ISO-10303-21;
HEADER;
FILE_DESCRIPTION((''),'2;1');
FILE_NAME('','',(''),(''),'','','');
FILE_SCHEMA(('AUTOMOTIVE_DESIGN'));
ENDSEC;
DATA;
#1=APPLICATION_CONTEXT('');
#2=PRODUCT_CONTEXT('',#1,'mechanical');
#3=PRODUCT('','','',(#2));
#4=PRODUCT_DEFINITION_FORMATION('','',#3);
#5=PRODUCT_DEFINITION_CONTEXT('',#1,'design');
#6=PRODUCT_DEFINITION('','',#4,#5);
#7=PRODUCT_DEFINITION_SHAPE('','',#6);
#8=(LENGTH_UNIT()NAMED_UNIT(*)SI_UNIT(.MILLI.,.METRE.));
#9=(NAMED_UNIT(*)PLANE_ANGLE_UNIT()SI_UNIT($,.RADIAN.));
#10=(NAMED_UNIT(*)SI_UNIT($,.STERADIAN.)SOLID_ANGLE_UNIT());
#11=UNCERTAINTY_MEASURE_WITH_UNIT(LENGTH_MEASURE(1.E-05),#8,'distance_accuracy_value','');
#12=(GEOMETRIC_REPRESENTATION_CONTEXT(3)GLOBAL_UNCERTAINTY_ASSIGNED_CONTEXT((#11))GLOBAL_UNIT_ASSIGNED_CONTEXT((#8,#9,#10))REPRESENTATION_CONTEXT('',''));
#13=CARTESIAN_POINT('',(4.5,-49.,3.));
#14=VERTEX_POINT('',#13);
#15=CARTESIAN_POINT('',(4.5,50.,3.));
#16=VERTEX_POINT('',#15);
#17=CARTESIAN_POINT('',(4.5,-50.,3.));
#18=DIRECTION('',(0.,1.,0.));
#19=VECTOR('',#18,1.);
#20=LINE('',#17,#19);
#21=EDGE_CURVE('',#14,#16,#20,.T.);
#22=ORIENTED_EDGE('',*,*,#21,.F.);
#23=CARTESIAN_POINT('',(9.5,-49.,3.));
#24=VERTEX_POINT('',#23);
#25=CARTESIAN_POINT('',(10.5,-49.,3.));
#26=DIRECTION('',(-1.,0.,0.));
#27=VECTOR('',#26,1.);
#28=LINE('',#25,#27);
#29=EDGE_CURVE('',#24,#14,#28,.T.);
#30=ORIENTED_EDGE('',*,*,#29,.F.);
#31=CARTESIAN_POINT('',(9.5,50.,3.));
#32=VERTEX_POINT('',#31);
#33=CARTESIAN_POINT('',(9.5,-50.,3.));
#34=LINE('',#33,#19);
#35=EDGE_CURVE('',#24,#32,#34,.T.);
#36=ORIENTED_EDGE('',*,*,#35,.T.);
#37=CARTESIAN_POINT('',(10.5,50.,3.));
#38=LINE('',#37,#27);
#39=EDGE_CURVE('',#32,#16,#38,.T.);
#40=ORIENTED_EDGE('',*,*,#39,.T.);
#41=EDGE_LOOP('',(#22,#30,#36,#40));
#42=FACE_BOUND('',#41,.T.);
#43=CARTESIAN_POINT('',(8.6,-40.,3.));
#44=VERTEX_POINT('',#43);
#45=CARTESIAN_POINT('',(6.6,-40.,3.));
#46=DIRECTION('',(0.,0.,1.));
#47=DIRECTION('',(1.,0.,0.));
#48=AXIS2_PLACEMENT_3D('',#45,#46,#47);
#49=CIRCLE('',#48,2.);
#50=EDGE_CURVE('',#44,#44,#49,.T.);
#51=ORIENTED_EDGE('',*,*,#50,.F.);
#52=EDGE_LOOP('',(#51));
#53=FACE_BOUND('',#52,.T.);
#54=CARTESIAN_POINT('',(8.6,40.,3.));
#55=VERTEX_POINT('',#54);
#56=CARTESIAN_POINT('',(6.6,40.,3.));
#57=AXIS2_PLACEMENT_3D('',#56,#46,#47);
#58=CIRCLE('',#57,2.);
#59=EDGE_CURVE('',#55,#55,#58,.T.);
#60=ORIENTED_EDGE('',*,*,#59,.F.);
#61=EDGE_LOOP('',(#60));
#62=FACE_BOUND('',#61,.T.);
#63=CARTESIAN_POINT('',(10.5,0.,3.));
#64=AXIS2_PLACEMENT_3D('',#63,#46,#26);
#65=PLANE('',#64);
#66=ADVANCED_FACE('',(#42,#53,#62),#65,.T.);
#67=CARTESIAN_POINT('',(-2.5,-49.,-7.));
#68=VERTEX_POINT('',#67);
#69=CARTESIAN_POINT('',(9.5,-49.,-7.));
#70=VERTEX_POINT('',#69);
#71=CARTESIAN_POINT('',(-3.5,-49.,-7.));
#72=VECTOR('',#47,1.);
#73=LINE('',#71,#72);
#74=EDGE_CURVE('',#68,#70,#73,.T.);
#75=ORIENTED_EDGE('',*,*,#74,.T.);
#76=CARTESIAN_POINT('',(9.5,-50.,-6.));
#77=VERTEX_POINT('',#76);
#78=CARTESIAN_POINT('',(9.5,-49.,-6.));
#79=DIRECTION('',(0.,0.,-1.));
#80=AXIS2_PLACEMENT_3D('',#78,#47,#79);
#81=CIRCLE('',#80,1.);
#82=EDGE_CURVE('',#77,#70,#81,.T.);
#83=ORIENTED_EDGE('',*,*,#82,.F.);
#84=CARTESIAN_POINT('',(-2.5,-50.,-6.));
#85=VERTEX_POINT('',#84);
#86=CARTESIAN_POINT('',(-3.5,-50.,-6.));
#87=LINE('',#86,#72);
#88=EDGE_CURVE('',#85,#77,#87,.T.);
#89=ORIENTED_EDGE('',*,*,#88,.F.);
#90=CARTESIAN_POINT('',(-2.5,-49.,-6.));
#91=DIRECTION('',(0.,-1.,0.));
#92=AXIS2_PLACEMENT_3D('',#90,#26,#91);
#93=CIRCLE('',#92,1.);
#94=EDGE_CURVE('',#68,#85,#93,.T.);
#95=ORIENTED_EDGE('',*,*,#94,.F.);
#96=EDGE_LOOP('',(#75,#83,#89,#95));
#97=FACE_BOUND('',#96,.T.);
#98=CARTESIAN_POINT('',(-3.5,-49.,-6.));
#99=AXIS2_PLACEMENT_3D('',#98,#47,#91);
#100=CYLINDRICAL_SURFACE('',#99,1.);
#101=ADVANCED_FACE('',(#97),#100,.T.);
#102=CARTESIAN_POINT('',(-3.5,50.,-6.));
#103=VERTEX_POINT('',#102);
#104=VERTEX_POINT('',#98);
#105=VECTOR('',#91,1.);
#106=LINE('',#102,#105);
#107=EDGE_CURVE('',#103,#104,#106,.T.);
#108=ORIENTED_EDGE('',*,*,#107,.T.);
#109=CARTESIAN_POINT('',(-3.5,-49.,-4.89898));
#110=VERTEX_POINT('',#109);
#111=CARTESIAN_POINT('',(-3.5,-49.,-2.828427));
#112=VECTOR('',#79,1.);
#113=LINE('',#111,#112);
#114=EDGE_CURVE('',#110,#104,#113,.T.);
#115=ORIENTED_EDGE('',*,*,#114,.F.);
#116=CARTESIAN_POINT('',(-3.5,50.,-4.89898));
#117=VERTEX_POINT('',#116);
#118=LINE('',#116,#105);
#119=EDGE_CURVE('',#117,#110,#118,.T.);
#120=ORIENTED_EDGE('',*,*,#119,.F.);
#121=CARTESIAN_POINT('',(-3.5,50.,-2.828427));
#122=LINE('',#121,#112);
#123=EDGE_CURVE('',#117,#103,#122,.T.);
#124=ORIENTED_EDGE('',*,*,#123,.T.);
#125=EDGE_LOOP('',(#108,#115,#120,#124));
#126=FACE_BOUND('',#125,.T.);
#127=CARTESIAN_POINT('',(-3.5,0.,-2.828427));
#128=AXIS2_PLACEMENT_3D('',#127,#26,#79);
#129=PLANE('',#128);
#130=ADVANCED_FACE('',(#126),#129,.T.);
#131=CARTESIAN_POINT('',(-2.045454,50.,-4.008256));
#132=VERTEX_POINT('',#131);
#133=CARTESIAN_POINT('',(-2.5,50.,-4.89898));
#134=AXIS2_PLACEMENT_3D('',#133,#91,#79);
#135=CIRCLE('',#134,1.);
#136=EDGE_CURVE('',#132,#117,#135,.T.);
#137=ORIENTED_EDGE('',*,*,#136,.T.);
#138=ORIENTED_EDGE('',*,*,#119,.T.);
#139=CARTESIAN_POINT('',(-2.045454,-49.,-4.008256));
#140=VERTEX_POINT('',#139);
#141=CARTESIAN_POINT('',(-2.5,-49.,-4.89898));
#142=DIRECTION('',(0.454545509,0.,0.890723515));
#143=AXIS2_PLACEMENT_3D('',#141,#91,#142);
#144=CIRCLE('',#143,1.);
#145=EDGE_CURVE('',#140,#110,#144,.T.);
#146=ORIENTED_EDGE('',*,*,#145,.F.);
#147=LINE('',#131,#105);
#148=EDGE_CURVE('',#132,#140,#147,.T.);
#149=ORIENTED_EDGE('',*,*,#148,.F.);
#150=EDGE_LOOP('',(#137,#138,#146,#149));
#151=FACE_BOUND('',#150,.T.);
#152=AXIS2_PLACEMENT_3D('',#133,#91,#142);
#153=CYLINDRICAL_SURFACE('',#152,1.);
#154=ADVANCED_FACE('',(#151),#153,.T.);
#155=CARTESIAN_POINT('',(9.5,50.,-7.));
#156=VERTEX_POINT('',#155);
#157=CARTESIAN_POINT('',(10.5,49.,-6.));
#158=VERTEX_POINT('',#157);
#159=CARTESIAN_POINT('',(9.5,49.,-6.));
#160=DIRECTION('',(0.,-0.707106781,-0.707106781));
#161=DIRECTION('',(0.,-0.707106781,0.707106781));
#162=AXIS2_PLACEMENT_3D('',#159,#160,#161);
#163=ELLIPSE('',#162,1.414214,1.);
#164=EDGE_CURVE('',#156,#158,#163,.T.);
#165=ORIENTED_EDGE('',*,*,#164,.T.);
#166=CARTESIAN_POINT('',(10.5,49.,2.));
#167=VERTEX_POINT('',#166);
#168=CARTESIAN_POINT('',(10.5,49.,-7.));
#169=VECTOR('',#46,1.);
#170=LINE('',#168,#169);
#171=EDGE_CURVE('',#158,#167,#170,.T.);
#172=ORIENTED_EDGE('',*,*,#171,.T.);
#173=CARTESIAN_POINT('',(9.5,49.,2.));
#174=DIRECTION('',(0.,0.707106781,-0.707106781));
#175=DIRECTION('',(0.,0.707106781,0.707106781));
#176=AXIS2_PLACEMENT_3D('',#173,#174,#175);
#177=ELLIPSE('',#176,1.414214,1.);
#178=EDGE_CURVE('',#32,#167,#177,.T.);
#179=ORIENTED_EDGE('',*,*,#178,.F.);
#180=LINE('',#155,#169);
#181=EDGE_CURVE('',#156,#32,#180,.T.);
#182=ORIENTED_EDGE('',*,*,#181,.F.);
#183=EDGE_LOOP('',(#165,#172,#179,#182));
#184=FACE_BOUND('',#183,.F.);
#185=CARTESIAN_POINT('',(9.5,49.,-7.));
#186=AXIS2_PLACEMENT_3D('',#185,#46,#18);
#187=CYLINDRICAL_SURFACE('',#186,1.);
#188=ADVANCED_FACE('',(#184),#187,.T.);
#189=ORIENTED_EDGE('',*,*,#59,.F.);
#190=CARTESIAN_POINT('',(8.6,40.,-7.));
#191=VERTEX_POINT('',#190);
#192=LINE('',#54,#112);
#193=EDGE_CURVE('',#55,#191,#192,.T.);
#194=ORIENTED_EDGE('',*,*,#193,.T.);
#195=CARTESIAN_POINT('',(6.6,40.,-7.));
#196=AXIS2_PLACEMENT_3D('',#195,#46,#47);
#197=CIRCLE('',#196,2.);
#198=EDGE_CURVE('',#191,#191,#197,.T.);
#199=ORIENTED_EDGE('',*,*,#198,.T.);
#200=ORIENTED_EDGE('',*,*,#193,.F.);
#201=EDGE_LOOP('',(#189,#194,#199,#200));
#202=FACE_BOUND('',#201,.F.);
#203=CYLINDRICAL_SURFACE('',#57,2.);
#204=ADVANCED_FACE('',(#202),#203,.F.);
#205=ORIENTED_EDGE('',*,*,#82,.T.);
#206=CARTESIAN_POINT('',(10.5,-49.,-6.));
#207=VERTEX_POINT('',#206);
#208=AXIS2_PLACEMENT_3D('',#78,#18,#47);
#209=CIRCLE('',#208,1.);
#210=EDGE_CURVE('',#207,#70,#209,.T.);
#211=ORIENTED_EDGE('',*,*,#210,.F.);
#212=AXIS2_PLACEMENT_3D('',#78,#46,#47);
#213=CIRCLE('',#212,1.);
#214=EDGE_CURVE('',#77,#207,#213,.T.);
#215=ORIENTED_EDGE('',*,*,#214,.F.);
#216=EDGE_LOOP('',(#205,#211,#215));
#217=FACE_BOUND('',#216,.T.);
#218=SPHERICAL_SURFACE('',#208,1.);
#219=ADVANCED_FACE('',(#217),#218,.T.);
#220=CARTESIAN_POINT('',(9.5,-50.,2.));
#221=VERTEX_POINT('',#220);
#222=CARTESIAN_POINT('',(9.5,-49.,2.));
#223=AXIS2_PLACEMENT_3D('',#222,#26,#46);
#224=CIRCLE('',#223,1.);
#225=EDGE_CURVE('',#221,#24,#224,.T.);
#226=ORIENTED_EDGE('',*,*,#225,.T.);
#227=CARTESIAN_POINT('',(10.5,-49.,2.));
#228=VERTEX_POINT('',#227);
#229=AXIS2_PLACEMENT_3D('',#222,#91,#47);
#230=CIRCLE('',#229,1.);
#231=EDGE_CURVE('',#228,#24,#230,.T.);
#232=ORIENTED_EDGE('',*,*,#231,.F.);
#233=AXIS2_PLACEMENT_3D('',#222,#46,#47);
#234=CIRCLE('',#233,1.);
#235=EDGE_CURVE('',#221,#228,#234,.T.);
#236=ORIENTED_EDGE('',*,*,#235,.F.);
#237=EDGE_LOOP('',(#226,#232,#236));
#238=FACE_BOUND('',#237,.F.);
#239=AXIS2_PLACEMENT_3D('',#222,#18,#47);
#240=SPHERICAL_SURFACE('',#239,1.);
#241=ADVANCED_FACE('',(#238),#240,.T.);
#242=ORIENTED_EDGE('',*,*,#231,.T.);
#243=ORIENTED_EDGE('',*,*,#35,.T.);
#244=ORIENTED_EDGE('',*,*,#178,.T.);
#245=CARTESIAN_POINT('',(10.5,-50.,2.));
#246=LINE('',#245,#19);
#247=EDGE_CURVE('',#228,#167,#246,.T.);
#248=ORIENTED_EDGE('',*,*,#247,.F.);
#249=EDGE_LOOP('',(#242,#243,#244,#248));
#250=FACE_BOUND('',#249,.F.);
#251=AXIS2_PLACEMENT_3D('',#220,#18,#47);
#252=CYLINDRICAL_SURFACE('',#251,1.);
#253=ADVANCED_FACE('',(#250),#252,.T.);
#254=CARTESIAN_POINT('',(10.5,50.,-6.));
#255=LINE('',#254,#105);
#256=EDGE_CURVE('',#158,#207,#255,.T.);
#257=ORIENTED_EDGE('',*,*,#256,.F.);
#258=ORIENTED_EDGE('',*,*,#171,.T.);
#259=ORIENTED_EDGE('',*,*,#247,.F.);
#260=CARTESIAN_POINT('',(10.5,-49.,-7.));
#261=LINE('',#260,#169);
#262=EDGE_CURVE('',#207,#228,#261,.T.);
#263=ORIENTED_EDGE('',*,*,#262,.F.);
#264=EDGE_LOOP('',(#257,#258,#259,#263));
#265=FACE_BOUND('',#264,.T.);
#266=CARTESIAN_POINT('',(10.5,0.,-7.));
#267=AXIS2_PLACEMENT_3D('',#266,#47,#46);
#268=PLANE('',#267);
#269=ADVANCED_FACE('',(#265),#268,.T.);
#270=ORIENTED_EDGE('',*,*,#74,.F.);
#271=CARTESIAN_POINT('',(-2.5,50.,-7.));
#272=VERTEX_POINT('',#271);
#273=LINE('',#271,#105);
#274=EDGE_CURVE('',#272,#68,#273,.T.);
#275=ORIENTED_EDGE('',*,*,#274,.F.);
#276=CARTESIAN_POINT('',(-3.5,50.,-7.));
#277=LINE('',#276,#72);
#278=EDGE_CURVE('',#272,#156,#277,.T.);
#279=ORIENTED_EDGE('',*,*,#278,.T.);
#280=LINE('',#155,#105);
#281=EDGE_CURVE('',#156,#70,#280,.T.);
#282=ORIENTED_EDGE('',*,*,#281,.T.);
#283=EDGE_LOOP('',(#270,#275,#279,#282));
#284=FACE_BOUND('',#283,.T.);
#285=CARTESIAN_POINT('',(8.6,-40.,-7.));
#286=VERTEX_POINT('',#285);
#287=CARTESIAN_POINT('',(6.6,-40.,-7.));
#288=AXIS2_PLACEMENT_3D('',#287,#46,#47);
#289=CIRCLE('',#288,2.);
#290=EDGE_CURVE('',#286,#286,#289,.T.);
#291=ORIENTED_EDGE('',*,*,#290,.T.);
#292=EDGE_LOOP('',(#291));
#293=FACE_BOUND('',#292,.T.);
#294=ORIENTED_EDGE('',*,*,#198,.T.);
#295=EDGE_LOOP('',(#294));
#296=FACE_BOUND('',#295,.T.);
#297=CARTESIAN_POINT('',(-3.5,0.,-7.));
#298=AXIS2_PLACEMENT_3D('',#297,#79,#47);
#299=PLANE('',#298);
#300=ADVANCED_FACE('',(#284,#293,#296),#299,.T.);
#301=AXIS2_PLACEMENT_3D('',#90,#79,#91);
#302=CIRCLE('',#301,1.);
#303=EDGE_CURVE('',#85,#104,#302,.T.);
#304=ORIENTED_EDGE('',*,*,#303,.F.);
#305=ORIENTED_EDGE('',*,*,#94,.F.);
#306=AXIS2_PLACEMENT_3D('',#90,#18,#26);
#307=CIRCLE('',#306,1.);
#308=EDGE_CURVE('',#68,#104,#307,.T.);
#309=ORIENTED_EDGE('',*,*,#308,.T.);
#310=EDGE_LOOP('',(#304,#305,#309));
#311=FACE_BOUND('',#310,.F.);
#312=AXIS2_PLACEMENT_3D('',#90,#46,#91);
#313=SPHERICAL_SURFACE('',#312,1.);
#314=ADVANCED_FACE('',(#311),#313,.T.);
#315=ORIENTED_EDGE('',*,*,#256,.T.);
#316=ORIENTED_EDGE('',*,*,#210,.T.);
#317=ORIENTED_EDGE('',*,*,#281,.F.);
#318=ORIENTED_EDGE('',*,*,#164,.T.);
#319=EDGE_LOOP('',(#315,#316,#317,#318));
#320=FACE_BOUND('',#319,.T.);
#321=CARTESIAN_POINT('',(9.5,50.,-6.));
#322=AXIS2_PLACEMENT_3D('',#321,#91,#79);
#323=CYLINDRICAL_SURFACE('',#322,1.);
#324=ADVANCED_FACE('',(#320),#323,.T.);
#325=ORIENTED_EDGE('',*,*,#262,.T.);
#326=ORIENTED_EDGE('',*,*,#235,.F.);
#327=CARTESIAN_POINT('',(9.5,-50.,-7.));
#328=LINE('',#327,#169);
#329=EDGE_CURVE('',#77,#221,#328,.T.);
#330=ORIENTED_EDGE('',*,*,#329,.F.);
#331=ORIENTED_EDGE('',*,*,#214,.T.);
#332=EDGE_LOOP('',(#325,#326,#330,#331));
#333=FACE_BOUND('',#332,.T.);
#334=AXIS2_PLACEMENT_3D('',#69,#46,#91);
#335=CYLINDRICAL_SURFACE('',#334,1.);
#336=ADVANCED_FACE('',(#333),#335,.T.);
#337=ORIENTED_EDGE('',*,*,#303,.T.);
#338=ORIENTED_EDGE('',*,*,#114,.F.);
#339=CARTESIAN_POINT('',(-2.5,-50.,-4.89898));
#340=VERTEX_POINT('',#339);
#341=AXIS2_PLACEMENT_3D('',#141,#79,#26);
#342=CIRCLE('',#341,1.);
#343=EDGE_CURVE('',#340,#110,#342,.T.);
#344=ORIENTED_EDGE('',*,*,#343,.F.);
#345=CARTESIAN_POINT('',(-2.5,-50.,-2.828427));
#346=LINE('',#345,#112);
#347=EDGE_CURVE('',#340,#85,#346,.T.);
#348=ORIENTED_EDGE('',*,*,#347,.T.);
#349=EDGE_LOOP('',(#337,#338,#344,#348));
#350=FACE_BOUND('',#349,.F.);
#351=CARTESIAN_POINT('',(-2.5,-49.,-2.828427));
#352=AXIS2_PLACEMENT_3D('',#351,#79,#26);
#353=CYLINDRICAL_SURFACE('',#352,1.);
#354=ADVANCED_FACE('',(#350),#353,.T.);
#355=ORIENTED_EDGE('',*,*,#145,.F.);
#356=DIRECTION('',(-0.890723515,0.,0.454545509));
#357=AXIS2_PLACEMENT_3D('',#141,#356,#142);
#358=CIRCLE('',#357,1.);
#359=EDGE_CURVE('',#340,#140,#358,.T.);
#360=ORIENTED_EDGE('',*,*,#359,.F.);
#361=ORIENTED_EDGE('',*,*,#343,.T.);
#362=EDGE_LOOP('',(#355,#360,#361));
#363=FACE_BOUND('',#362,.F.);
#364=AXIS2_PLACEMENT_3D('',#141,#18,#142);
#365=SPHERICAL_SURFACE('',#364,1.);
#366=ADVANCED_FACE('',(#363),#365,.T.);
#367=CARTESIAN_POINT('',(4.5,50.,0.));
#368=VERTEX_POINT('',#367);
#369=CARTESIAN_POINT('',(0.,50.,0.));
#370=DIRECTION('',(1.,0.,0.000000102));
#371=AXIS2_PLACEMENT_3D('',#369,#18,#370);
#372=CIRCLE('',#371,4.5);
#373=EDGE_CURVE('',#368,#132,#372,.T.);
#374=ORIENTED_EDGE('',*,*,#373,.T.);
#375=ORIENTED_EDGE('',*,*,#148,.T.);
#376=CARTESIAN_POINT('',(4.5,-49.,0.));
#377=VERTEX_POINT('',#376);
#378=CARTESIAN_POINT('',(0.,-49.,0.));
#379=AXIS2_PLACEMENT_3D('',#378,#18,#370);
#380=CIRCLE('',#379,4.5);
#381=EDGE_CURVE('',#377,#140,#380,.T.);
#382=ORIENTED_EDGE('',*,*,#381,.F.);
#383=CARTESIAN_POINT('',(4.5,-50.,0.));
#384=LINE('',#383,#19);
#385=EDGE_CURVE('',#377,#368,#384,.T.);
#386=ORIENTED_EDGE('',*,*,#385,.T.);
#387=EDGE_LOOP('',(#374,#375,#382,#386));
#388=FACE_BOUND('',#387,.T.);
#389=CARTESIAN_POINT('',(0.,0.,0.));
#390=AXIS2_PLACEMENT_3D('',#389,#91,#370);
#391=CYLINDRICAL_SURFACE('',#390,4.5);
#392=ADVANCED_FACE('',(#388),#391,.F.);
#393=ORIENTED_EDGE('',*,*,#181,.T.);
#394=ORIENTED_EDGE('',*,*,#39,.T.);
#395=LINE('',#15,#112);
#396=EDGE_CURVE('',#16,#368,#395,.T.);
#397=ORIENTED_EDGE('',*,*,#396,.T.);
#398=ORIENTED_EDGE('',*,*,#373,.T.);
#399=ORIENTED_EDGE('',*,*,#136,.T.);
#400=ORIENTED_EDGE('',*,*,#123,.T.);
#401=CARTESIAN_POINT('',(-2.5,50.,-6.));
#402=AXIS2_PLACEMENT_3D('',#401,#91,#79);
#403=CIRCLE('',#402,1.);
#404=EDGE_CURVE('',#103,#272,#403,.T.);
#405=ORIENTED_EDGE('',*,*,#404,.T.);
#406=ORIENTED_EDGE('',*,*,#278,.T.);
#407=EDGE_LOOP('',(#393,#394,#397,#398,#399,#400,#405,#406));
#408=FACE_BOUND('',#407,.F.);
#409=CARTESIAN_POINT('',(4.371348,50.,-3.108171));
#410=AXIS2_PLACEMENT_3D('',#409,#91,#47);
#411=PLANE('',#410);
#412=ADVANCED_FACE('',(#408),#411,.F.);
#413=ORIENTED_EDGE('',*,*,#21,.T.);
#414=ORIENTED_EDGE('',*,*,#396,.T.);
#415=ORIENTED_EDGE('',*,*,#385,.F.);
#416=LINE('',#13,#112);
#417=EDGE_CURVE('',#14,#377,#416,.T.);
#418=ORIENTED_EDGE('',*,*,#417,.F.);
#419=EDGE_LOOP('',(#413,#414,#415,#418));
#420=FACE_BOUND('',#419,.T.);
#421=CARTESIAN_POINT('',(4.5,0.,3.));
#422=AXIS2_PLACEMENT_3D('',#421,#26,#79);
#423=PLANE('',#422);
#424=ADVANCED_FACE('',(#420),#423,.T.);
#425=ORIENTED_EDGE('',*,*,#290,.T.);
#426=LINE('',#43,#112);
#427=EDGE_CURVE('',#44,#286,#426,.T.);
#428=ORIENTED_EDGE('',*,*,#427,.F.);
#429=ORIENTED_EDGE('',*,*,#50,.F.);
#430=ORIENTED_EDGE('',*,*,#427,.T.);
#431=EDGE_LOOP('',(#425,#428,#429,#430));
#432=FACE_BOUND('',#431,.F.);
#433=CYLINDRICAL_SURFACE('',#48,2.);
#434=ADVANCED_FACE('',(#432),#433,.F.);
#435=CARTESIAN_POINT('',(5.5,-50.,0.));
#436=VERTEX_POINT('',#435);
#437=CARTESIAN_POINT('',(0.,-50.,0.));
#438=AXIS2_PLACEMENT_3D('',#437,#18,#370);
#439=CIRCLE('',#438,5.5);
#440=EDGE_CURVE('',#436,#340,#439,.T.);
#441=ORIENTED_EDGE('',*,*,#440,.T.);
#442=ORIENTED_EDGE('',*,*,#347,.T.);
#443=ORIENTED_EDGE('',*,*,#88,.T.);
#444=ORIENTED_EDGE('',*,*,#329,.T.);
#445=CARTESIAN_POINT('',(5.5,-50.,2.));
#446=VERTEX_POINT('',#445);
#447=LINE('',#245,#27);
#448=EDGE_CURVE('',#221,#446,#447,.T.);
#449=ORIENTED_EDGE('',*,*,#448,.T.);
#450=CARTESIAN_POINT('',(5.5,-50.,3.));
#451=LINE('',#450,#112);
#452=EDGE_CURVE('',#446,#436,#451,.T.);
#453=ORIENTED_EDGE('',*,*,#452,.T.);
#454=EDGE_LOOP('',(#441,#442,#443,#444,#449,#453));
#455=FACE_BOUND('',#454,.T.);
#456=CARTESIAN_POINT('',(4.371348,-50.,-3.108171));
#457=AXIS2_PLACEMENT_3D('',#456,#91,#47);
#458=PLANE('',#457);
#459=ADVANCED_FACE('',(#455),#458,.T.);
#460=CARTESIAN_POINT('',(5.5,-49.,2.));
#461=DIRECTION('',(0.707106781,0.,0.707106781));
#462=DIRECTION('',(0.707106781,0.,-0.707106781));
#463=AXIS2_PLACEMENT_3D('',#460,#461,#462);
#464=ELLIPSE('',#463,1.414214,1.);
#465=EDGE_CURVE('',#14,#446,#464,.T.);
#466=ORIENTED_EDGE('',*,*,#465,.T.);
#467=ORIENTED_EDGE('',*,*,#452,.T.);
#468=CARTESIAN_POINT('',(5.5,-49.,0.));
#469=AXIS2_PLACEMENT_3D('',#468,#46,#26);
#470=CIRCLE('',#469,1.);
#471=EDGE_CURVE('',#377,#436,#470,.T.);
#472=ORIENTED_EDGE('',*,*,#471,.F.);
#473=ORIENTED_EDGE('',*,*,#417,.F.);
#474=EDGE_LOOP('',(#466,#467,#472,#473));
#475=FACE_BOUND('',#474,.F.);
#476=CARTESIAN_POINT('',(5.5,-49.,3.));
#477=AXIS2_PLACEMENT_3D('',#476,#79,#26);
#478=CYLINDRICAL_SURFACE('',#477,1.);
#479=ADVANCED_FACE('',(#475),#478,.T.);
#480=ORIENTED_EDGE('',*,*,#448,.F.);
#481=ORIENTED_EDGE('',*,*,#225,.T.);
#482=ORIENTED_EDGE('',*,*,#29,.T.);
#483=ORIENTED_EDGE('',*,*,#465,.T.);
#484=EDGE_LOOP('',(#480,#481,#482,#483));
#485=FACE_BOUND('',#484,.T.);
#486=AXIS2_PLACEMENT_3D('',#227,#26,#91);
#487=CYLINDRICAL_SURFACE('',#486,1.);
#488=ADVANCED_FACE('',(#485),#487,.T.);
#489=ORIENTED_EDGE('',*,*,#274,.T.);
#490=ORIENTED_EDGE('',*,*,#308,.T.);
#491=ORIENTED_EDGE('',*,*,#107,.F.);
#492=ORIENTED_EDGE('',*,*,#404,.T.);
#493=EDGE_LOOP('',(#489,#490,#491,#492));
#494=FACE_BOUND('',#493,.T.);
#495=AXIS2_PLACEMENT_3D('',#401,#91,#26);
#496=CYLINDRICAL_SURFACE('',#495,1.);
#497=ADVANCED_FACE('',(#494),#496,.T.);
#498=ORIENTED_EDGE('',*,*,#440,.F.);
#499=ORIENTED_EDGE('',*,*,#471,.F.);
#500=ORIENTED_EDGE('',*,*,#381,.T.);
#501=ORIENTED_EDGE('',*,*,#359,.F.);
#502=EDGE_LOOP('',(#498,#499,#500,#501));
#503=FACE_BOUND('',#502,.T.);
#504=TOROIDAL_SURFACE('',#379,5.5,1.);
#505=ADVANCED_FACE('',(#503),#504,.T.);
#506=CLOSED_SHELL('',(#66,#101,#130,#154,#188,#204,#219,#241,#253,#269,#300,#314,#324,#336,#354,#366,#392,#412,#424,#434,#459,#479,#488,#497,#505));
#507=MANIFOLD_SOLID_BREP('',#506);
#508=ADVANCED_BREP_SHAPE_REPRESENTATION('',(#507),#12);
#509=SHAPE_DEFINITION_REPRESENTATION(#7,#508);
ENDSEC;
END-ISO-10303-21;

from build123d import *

# Parameters (mm, degrees)
F1_DEPTH = 50
F2_R     = 2
F3_DEPTH = 10
F4_R     = 1


with BuildPart() as f1:
    # F0 (on Front) → F1 (new body, symmetric)
    with BuildSketch(Plane.XZ):
        with BuildLine():
            ThreePointArc((4.5, 0), (1.5, -4.242641), (-3.5, -2.828427))
            Line((-3.5, -2.828427), (-3.5, -7))
            Line((-3.5, -7), (10.5, -7))
            Line((10.5, -7), (10.5, 3))
            Line((10.5, 3), (4.5, 3))
            Line((4.5, 3), (4.5, 0))
        make_face()
    extrude(amount=F1_DEPTH, both=True)

    # F2 (on face) → F3 (cut, through all)
    with BuildSketch(Plane.XY.offset(3)):
        with Locations((6.6, -40)):
            Circle(F2_R)
        with Locations((6.6, 40)):
            Circle(F2_R)
    extrude(amount=-F3_DEPTH, mode=Mode.SUBTRACT)

    # F4
    f4_edges = [f1.edges().sort_by_distance(p)[0] for p in [
        (10.5, 0, -7),
        (10.5, 50, -2),
        (10.5, 0, 3),
        (10.5, -50, -2),
        (1.5, -50, -4.242641),
        (-3.5, -50, -4.914214),
        (3.5, -50, -7),
        (7.5, -50, 3),
        (4.5, -50, 1.5),
        (-3.5, 0, -2.828427),
        (-3.5, 0, -7),
    ]]
    fillet(f4_edges, radius=F4_R)


solid = f1.part
